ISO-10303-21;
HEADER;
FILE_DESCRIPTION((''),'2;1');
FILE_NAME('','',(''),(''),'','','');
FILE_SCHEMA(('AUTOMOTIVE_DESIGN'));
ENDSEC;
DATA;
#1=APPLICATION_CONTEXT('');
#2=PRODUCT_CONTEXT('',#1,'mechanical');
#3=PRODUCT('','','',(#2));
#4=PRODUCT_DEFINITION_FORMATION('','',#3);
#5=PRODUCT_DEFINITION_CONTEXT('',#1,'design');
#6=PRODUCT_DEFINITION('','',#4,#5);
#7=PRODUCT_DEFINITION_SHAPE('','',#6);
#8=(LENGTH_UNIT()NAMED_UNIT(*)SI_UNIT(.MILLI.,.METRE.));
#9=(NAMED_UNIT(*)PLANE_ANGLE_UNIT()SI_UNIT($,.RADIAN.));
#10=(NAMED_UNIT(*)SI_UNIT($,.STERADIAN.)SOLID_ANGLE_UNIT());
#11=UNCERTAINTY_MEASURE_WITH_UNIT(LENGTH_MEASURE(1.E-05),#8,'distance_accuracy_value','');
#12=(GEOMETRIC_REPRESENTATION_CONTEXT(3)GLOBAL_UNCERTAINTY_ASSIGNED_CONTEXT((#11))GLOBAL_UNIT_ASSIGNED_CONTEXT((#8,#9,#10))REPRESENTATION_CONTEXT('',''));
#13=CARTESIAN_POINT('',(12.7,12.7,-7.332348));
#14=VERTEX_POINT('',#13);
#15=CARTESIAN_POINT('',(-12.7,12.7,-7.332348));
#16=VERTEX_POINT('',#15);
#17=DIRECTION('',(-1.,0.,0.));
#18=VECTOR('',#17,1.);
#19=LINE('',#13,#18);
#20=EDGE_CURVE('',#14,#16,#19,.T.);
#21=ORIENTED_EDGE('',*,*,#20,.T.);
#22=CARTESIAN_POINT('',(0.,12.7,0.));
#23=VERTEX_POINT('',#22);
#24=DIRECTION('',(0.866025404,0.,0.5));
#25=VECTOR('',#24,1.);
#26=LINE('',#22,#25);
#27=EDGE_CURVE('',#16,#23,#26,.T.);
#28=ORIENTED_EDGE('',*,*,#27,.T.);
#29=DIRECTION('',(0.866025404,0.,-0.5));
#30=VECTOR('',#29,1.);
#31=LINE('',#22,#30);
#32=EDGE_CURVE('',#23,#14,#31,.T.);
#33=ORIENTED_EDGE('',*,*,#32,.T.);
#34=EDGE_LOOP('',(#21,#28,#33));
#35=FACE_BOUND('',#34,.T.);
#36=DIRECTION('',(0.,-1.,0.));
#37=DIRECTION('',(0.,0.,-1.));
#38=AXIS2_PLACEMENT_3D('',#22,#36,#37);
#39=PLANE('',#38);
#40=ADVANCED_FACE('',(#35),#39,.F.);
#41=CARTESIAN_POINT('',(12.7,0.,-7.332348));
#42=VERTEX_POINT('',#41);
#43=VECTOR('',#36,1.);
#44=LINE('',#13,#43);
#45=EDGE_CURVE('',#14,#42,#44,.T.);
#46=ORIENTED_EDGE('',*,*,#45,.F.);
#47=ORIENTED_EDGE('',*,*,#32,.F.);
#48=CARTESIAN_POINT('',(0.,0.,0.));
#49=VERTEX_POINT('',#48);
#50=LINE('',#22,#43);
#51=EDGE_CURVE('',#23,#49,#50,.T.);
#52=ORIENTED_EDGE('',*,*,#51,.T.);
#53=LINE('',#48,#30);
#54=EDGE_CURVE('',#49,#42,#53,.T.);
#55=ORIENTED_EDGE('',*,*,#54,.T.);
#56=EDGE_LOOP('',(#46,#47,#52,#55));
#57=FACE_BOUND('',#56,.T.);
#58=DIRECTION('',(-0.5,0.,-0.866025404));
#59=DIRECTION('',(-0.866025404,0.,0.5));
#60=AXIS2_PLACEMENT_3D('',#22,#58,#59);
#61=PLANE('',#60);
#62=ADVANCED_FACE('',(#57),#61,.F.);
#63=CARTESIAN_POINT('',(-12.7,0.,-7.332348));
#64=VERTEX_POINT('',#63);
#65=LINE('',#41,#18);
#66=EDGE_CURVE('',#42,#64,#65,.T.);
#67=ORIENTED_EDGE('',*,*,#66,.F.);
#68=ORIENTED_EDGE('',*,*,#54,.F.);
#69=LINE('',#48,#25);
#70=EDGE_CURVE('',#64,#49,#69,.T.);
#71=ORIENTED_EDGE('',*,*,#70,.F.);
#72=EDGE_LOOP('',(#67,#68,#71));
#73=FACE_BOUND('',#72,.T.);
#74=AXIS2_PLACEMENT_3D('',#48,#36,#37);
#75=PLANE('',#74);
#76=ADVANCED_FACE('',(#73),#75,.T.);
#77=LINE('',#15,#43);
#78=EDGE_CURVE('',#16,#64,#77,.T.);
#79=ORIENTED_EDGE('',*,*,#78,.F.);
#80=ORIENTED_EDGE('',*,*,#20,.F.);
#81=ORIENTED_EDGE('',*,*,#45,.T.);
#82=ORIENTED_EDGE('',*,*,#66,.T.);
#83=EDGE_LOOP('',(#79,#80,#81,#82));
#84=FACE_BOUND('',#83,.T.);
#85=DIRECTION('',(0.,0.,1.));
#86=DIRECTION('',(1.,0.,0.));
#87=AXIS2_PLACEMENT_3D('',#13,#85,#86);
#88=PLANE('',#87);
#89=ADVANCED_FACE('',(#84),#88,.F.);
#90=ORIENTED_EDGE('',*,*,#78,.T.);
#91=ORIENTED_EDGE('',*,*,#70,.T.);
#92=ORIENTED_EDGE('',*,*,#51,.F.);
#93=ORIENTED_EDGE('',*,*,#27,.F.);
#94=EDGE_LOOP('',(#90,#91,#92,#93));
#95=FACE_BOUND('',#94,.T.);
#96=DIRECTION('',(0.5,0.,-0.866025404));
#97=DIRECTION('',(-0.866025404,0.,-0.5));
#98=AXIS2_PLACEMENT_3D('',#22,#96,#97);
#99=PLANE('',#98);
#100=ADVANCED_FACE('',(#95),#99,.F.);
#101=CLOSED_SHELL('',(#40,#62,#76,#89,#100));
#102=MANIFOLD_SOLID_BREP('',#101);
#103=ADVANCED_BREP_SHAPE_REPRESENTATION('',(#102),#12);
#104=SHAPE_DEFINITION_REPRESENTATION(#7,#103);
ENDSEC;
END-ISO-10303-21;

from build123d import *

# Parameters (mm, degrees)
BOSS_EXTRUDE1_DEPTH = 12.7


with BuildPart() as part:
    # Sketch1 → Boss-Extrude1 (new body)
    with BuildSketch(Plane(origin=(0, 0, 0), x_dir=(1, 0, 0), z_dir=(0, 1, 0))):
        Polygon((0, 0), (12.7, 7.332348419), (-12.7, 7.332348419), align=None)
    extrude(amount=BOSS_EXTRUDE1_DEPTH)


solid = part.part
